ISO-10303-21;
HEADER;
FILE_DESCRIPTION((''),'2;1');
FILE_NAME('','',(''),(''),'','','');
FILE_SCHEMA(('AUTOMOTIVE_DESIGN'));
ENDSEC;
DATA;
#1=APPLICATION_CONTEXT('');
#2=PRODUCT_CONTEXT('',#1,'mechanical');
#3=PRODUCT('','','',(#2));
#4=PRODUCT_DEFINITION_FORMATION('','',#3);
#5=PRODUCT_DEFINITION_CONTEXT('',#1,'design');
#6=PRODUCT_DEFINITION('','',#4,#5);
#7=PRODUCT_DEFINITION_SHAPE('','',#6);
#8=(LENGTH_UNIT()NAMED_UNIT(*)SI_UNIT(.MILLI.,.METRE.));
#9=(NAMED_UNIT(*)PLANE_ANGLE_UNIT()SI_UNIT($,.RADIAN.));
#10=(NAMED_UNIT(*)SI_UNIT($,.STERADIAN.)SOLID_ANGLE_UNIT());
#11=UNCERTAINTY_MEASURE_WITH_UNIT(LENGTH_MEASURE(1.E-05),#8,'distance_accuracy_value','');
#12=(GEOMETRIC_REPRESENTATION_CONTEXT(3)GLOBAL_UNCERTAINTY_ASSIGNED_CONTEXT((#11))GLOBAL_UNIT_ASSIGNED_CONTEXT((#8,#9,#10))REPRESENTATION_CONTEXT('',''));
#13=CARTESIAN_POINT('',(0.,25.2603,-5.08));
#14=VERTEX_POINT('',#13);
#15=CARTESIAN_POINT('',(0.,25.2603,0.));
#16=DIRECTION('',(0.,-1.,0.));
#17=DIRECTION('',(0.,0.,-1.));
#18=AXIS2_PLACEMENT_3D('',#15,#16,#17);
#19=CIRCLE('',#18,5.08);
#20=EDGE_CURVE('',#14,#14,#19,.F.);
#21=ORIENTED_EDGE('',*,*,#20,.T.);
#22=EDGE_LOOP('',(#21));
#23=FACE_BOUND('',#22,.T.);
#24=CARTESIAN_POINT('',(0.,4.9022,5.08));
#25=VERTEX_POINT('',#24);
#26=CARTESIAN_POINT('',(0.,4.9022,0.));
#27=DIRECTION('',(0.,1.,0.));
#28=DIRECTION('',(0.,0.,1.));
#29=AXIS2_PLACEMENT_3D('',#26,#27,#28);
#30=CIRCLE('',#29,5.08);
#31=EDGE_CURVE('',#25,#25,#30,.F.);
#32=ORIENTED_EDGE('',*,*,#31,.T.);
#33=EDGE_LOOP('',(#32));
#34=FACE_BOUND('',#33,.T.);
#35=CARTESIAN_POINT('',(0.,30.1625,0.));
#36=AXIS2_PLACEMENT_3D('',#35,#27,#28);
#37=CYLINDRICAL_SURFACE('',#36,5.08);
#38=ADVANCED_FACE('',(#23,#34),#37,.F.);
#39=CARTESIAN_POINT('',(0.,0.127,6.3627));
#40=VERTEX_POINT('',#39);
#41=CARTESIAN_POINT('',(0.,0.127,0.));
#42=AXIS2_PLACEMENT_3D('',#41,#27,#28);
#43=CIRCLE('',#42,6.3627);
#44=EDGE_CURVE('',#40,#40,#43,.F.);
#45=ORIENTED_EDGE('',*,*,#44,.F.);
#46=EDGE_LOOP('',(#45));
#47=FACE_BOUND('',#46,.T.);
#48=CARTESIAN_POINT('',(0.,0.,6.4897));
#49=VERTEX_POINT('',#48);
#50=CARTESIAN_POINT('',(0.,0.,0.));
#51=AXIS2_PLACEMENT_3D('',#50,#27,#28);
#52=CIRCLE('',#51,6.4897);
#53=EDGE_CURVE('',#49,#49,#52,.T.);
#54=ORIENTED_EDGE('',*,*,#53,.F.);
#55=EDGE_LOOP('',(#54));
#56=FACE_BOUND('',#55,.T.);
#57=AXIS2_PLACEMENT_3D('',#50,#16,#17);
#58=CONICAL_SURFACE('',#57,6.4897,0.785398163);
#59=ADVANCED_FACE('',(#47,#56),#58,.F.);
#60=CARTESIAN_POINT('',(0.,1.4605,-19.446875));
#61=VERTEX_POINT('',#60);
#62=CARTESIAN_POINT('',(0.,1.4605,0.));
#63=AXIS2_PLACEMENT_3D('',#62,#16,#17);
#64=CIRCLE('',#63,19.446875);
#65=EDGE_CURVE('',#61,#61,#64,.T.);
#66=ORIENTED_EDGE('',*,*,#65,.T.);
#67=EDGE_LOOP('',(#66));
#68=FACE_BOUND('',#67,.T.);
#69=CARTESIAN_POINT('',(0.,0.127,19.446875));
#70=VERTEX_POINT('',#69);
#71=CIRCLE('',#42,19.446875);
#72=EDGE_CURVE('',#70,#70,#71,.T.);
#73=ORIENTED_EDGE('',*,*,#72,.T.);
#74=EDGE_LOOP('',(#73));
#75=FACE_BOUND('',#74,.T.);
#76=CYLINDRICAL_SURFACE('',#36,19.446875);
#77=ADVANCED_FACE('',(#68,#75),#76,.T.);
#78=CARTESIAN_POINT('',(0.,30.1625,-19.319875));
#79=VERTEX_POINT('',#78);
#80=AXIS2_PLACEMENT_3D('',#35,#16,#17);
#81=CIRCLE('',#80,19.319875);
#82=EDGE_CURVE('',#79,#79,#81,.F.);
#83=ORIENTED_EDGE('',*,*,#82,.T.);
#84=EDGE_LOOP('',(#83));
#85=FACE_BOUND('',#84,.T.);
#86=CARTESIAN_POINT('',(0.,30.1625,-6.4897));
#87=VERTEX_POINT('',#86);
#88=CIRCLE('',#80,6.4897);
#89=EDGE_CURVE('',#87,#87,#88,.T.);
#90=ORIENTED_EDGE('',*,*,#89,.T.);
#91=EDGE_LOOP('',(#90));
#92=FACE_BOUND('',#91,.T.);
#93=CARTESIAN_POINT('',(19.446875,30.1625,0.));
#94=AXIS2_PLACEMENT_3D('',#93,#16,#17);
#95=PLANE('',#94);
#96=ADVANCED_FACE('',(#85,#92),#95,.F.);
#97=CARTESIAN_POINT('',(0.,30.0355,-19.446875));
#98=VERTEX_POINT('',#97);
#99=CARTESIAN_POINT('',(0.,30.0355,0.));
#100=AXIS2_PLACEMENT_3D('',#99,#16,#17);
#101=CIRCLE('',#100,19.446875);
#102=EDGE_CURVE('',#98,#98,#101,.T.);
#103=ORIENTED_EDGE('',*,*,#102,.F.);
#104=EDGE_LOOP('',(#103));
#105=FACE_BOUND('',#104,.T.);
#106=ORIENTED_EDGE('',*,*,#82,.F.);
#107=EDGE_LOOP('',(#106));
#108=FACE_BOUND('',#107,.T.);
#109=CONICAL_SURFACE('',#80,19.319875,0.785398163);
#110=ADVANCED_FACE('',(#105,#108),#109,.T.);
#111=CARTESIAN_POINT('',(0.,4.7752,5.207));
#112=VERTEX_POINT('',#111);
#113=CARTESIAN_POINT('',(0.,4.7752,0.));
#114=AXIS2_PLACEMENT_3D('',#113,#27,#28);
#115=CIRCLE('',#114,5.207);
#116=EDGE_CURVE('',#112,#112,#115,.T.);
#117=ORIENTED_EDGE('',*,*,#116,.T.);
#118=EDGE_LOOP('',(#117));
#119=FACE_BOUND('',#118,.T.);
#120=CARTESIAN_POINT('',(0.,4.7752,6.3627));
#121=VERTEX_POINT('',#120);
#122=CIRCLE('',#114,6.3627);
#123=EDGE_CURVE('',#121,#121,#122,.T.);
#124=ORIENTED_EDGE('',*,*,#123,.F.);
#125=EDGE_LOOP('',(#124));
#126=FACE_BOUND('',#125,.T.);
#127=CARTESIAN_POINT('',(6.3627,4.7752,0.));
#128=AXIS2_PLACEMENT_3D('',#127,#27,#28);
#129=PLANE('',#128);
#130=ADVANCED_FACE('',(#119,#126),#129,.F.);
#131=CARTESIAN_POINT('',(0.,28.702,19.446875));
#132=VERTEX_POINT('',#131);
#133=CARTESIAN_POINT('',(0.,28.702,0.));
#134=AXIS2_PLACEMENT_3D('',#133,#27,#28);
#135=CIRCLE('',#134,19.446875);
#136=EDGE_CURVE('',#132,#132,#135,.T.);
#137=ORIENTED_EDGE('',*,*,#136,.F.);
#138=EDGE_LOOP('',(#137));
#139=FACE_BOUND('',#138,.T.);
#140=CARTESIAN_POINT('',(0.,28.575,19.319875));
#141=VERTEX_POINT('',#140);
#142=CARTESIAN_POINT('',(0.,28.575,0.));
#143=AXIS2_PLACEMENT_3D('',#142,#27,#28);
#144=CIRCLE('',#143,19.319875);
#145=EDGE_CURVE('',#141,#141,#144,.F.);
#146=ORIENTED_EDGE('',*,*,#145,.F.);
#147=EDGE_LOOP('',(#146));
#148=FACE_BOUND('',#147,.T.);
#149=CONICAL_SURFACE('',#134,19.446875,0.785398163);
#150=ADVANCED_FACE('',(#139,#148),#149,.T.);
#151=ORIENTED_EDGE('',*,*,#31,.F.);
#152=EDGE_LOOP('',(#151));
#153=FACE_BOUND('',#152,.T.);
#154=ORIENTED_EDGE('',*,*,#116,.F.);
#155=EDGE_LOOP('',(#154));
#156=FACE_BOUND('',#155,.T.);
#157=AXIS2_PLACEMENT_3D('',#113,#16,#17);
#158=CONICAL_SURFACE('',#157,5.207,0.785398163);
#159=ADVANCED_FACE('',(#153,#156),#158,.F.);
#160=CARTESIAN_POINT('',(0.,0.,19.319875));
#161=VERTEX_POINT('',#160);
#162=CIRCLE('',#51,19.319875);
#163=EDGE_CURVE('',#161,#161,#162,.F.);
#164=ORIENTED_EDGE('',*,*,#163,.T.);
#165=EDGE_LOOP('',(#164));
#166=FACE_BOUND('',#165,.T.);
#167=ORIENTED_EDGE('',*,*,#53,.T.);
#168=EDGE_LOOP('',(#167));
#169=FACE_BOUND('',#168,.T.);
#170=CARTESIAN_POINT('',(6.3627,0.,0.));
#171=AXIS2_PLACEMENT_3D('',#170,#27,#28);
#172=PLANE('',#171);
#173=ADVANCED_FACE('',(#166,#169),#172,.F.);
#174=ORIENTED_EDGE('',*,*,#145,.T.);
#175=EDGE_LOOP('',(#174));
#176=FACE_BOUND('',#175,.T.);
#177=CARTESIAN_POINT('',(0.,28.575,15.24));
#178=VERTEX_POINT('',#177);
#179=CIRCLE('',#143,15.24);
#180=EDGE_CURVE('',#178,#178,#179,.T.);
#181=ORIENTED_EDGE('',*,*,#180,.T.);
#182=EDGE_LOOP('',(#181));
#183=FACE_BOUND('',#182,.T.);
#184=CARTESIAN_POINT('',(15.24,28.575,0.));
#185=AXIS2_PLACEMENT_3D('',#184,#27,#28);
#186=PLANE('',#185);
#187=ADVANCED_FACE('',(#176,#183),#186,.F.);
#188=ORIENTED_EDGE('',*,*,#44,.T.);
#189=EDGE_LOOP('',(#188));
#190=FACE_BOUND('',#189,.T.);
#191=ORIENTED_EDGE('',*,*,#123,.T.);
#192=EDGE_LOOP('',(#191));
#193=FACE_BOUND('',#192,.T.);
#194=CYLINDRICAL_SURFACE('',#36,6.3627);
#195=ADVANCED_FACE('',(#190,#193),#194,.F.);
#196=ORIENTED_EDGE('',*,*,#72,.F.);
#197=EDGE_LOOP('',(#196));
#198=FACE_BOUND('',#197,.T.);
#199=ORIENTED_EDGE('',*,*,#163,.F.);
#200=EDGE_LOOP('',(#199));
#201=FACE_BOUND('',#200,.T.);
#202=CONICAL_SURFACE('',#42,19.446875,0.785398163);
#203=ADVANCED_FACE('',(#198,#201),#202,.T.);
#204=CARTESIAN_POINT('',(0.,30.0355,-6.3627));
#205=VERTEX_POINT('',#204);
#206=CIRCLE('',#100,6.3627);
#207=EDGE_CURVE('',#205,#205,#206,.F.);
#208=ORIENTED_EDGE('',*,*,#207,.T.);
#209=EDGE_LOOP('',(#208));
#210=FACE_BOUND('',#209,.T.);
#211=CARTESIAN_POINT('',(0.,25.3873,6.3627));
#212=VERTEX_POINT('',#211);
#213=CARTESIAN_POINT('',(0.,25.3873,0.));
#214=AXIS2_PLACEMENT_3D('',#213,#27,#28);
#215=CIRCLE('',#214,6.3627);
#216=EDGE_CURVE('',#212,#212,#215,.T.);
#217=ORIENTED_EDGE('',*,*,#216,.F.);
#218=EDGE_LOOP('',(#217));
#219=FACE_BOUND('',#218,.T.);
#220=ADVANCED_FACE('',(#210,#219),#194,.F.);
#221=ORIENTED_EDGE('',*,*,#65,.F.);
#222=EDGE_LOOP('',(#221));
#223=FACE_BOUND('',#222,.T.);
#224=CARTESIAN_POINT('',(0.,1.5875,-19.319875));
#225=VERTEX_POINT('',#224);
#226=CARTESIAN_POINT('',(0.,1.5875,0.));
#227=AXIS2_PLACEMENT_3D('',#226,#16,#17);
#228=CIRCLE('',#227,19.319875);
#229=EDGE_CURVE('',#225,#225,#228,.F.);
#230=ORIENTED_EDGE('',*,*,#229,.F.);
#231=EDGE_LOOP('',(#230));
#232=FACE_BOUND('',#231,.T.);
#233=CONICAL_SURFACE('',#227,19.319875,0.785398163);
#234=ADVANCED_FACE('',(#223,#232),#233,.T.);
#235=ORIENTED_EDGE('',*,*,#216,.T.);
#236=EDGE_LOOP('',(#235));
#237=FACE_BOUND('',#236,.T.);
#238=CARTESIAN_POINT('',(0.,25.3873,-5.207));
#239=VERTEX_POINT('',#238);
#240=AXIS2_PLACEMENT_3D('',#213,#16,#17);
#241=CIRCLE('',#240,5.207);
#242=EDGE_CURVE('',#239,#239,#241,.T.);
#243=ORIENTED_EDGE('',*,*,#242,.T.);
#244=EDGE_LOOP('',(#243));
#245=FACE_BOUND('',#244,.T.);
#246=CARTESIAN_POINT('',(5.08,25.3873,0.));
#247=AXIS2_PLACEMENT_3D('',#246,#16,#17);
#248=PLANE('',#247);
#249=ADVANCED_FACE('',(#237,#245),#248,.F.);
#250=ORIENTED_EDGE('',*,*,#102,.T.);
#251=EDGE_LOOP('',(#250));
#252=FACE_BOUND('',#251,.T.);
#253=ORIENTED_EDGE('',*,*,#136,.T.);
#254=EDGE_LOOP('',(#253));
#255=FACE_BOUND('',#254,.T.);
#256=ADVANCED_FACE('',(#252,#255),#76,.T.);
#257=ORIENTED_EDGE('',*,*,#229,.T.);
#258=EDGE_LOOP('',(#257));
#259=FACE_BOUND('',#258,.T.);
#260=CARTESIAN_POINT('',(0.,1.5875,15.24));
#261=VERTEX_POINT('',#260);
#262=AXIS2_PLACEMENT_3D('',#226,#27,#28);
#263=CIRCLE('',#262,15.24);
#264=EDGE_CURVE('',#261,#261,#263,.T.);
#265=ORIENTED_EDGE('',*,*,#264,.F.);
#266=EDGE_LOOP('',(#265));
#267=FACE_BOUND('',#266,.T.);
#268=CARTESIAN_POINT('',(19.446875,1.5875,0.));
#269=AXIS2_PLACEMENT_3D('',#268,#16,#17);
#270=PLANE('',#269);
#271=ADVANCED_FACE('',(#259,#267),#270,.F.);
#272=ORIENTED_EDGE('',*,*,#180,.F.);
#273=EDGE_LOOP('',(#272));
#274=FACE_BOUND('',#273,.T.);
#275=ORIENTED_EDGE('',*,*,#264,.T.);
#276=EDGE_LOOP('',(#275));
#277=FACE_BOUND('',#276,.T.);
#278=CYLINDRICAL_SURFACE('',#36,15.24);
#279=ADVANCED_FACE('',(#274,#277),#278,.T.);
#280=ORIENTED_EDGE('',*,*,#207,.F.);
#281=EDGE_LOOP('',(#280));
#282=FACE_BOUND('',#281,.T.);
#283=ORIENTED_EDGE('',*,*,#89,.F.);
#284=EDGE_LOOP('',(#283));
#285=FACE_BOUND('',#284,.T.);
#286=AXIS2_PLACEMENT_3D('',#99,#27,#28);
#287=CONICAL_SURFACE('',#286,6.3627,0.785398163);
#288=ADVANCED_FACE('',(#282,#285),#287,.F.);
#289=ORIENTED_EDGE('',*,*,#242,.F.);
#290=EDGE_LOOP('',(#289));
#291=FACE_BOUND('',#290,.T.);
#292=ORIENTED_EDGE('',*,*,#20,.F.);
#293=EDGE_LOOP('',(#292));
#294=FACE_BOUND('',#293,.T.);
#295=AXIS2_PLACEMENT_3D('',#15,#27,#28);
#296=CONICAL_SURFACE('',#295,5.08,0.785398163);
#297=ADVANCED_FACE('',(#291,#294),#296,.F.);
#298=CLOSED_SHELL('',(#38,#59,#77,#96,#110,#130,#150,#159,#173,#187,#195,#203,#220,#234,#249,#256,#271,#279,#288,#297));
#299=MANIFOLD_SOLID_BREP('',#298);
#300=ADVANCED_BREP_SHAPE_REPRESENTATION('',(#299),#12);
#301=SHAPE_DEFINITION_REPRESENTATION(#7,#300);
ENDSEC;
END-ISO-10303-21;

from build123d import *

# Parameters (mm, degrees)
CHAMFER1_SIZE = 0.127


with BuildPart() as part:
    # Sketch1 → Revolve1 (revolve)
    with BuildSketch(Plane.XY, mode=Mode.PRIVATE) as revolve1_sk:
        Polygon((6.3627, 0), (19.446875, 0), (19.446875, 1.5875), (15.24, 1.5875), (15.24, 28.575), (19.446875, 28.575), (19.446875, 30.1625), (6.3627, 30.1625), (6.3627, 25.3873), (5.08, 25.3873), (5.08, 4.7752), (6.3627, 4.7752), align=None)
    revolve(revolve1_sk.sketch.rotate(Axis((0, 30.1625, 0), (0, -1, 0)), 90), axis=Axis((0, 30.1625, 0), (0, -1, 0)))

    # Chamfer1
    chamfer1_edges = [part.edges().sort_by_distance(p)[0] for p in [
        (0, 4.7752, -5.08),
        (0, 25.3873, -5.08),
        (0, 30.1625, -6.3627),
        (0, 30.1625, -19.446875),
        (0, 28.575, -19.446875),
        (0, 1.5875, -19.446875),
        (0, 0, -19.446875),
        (0, 0, -6.3627),
    ]]
    chamfer(chamfer1_edges, length=CHAMFER1_SIZE)


solid = part.part
